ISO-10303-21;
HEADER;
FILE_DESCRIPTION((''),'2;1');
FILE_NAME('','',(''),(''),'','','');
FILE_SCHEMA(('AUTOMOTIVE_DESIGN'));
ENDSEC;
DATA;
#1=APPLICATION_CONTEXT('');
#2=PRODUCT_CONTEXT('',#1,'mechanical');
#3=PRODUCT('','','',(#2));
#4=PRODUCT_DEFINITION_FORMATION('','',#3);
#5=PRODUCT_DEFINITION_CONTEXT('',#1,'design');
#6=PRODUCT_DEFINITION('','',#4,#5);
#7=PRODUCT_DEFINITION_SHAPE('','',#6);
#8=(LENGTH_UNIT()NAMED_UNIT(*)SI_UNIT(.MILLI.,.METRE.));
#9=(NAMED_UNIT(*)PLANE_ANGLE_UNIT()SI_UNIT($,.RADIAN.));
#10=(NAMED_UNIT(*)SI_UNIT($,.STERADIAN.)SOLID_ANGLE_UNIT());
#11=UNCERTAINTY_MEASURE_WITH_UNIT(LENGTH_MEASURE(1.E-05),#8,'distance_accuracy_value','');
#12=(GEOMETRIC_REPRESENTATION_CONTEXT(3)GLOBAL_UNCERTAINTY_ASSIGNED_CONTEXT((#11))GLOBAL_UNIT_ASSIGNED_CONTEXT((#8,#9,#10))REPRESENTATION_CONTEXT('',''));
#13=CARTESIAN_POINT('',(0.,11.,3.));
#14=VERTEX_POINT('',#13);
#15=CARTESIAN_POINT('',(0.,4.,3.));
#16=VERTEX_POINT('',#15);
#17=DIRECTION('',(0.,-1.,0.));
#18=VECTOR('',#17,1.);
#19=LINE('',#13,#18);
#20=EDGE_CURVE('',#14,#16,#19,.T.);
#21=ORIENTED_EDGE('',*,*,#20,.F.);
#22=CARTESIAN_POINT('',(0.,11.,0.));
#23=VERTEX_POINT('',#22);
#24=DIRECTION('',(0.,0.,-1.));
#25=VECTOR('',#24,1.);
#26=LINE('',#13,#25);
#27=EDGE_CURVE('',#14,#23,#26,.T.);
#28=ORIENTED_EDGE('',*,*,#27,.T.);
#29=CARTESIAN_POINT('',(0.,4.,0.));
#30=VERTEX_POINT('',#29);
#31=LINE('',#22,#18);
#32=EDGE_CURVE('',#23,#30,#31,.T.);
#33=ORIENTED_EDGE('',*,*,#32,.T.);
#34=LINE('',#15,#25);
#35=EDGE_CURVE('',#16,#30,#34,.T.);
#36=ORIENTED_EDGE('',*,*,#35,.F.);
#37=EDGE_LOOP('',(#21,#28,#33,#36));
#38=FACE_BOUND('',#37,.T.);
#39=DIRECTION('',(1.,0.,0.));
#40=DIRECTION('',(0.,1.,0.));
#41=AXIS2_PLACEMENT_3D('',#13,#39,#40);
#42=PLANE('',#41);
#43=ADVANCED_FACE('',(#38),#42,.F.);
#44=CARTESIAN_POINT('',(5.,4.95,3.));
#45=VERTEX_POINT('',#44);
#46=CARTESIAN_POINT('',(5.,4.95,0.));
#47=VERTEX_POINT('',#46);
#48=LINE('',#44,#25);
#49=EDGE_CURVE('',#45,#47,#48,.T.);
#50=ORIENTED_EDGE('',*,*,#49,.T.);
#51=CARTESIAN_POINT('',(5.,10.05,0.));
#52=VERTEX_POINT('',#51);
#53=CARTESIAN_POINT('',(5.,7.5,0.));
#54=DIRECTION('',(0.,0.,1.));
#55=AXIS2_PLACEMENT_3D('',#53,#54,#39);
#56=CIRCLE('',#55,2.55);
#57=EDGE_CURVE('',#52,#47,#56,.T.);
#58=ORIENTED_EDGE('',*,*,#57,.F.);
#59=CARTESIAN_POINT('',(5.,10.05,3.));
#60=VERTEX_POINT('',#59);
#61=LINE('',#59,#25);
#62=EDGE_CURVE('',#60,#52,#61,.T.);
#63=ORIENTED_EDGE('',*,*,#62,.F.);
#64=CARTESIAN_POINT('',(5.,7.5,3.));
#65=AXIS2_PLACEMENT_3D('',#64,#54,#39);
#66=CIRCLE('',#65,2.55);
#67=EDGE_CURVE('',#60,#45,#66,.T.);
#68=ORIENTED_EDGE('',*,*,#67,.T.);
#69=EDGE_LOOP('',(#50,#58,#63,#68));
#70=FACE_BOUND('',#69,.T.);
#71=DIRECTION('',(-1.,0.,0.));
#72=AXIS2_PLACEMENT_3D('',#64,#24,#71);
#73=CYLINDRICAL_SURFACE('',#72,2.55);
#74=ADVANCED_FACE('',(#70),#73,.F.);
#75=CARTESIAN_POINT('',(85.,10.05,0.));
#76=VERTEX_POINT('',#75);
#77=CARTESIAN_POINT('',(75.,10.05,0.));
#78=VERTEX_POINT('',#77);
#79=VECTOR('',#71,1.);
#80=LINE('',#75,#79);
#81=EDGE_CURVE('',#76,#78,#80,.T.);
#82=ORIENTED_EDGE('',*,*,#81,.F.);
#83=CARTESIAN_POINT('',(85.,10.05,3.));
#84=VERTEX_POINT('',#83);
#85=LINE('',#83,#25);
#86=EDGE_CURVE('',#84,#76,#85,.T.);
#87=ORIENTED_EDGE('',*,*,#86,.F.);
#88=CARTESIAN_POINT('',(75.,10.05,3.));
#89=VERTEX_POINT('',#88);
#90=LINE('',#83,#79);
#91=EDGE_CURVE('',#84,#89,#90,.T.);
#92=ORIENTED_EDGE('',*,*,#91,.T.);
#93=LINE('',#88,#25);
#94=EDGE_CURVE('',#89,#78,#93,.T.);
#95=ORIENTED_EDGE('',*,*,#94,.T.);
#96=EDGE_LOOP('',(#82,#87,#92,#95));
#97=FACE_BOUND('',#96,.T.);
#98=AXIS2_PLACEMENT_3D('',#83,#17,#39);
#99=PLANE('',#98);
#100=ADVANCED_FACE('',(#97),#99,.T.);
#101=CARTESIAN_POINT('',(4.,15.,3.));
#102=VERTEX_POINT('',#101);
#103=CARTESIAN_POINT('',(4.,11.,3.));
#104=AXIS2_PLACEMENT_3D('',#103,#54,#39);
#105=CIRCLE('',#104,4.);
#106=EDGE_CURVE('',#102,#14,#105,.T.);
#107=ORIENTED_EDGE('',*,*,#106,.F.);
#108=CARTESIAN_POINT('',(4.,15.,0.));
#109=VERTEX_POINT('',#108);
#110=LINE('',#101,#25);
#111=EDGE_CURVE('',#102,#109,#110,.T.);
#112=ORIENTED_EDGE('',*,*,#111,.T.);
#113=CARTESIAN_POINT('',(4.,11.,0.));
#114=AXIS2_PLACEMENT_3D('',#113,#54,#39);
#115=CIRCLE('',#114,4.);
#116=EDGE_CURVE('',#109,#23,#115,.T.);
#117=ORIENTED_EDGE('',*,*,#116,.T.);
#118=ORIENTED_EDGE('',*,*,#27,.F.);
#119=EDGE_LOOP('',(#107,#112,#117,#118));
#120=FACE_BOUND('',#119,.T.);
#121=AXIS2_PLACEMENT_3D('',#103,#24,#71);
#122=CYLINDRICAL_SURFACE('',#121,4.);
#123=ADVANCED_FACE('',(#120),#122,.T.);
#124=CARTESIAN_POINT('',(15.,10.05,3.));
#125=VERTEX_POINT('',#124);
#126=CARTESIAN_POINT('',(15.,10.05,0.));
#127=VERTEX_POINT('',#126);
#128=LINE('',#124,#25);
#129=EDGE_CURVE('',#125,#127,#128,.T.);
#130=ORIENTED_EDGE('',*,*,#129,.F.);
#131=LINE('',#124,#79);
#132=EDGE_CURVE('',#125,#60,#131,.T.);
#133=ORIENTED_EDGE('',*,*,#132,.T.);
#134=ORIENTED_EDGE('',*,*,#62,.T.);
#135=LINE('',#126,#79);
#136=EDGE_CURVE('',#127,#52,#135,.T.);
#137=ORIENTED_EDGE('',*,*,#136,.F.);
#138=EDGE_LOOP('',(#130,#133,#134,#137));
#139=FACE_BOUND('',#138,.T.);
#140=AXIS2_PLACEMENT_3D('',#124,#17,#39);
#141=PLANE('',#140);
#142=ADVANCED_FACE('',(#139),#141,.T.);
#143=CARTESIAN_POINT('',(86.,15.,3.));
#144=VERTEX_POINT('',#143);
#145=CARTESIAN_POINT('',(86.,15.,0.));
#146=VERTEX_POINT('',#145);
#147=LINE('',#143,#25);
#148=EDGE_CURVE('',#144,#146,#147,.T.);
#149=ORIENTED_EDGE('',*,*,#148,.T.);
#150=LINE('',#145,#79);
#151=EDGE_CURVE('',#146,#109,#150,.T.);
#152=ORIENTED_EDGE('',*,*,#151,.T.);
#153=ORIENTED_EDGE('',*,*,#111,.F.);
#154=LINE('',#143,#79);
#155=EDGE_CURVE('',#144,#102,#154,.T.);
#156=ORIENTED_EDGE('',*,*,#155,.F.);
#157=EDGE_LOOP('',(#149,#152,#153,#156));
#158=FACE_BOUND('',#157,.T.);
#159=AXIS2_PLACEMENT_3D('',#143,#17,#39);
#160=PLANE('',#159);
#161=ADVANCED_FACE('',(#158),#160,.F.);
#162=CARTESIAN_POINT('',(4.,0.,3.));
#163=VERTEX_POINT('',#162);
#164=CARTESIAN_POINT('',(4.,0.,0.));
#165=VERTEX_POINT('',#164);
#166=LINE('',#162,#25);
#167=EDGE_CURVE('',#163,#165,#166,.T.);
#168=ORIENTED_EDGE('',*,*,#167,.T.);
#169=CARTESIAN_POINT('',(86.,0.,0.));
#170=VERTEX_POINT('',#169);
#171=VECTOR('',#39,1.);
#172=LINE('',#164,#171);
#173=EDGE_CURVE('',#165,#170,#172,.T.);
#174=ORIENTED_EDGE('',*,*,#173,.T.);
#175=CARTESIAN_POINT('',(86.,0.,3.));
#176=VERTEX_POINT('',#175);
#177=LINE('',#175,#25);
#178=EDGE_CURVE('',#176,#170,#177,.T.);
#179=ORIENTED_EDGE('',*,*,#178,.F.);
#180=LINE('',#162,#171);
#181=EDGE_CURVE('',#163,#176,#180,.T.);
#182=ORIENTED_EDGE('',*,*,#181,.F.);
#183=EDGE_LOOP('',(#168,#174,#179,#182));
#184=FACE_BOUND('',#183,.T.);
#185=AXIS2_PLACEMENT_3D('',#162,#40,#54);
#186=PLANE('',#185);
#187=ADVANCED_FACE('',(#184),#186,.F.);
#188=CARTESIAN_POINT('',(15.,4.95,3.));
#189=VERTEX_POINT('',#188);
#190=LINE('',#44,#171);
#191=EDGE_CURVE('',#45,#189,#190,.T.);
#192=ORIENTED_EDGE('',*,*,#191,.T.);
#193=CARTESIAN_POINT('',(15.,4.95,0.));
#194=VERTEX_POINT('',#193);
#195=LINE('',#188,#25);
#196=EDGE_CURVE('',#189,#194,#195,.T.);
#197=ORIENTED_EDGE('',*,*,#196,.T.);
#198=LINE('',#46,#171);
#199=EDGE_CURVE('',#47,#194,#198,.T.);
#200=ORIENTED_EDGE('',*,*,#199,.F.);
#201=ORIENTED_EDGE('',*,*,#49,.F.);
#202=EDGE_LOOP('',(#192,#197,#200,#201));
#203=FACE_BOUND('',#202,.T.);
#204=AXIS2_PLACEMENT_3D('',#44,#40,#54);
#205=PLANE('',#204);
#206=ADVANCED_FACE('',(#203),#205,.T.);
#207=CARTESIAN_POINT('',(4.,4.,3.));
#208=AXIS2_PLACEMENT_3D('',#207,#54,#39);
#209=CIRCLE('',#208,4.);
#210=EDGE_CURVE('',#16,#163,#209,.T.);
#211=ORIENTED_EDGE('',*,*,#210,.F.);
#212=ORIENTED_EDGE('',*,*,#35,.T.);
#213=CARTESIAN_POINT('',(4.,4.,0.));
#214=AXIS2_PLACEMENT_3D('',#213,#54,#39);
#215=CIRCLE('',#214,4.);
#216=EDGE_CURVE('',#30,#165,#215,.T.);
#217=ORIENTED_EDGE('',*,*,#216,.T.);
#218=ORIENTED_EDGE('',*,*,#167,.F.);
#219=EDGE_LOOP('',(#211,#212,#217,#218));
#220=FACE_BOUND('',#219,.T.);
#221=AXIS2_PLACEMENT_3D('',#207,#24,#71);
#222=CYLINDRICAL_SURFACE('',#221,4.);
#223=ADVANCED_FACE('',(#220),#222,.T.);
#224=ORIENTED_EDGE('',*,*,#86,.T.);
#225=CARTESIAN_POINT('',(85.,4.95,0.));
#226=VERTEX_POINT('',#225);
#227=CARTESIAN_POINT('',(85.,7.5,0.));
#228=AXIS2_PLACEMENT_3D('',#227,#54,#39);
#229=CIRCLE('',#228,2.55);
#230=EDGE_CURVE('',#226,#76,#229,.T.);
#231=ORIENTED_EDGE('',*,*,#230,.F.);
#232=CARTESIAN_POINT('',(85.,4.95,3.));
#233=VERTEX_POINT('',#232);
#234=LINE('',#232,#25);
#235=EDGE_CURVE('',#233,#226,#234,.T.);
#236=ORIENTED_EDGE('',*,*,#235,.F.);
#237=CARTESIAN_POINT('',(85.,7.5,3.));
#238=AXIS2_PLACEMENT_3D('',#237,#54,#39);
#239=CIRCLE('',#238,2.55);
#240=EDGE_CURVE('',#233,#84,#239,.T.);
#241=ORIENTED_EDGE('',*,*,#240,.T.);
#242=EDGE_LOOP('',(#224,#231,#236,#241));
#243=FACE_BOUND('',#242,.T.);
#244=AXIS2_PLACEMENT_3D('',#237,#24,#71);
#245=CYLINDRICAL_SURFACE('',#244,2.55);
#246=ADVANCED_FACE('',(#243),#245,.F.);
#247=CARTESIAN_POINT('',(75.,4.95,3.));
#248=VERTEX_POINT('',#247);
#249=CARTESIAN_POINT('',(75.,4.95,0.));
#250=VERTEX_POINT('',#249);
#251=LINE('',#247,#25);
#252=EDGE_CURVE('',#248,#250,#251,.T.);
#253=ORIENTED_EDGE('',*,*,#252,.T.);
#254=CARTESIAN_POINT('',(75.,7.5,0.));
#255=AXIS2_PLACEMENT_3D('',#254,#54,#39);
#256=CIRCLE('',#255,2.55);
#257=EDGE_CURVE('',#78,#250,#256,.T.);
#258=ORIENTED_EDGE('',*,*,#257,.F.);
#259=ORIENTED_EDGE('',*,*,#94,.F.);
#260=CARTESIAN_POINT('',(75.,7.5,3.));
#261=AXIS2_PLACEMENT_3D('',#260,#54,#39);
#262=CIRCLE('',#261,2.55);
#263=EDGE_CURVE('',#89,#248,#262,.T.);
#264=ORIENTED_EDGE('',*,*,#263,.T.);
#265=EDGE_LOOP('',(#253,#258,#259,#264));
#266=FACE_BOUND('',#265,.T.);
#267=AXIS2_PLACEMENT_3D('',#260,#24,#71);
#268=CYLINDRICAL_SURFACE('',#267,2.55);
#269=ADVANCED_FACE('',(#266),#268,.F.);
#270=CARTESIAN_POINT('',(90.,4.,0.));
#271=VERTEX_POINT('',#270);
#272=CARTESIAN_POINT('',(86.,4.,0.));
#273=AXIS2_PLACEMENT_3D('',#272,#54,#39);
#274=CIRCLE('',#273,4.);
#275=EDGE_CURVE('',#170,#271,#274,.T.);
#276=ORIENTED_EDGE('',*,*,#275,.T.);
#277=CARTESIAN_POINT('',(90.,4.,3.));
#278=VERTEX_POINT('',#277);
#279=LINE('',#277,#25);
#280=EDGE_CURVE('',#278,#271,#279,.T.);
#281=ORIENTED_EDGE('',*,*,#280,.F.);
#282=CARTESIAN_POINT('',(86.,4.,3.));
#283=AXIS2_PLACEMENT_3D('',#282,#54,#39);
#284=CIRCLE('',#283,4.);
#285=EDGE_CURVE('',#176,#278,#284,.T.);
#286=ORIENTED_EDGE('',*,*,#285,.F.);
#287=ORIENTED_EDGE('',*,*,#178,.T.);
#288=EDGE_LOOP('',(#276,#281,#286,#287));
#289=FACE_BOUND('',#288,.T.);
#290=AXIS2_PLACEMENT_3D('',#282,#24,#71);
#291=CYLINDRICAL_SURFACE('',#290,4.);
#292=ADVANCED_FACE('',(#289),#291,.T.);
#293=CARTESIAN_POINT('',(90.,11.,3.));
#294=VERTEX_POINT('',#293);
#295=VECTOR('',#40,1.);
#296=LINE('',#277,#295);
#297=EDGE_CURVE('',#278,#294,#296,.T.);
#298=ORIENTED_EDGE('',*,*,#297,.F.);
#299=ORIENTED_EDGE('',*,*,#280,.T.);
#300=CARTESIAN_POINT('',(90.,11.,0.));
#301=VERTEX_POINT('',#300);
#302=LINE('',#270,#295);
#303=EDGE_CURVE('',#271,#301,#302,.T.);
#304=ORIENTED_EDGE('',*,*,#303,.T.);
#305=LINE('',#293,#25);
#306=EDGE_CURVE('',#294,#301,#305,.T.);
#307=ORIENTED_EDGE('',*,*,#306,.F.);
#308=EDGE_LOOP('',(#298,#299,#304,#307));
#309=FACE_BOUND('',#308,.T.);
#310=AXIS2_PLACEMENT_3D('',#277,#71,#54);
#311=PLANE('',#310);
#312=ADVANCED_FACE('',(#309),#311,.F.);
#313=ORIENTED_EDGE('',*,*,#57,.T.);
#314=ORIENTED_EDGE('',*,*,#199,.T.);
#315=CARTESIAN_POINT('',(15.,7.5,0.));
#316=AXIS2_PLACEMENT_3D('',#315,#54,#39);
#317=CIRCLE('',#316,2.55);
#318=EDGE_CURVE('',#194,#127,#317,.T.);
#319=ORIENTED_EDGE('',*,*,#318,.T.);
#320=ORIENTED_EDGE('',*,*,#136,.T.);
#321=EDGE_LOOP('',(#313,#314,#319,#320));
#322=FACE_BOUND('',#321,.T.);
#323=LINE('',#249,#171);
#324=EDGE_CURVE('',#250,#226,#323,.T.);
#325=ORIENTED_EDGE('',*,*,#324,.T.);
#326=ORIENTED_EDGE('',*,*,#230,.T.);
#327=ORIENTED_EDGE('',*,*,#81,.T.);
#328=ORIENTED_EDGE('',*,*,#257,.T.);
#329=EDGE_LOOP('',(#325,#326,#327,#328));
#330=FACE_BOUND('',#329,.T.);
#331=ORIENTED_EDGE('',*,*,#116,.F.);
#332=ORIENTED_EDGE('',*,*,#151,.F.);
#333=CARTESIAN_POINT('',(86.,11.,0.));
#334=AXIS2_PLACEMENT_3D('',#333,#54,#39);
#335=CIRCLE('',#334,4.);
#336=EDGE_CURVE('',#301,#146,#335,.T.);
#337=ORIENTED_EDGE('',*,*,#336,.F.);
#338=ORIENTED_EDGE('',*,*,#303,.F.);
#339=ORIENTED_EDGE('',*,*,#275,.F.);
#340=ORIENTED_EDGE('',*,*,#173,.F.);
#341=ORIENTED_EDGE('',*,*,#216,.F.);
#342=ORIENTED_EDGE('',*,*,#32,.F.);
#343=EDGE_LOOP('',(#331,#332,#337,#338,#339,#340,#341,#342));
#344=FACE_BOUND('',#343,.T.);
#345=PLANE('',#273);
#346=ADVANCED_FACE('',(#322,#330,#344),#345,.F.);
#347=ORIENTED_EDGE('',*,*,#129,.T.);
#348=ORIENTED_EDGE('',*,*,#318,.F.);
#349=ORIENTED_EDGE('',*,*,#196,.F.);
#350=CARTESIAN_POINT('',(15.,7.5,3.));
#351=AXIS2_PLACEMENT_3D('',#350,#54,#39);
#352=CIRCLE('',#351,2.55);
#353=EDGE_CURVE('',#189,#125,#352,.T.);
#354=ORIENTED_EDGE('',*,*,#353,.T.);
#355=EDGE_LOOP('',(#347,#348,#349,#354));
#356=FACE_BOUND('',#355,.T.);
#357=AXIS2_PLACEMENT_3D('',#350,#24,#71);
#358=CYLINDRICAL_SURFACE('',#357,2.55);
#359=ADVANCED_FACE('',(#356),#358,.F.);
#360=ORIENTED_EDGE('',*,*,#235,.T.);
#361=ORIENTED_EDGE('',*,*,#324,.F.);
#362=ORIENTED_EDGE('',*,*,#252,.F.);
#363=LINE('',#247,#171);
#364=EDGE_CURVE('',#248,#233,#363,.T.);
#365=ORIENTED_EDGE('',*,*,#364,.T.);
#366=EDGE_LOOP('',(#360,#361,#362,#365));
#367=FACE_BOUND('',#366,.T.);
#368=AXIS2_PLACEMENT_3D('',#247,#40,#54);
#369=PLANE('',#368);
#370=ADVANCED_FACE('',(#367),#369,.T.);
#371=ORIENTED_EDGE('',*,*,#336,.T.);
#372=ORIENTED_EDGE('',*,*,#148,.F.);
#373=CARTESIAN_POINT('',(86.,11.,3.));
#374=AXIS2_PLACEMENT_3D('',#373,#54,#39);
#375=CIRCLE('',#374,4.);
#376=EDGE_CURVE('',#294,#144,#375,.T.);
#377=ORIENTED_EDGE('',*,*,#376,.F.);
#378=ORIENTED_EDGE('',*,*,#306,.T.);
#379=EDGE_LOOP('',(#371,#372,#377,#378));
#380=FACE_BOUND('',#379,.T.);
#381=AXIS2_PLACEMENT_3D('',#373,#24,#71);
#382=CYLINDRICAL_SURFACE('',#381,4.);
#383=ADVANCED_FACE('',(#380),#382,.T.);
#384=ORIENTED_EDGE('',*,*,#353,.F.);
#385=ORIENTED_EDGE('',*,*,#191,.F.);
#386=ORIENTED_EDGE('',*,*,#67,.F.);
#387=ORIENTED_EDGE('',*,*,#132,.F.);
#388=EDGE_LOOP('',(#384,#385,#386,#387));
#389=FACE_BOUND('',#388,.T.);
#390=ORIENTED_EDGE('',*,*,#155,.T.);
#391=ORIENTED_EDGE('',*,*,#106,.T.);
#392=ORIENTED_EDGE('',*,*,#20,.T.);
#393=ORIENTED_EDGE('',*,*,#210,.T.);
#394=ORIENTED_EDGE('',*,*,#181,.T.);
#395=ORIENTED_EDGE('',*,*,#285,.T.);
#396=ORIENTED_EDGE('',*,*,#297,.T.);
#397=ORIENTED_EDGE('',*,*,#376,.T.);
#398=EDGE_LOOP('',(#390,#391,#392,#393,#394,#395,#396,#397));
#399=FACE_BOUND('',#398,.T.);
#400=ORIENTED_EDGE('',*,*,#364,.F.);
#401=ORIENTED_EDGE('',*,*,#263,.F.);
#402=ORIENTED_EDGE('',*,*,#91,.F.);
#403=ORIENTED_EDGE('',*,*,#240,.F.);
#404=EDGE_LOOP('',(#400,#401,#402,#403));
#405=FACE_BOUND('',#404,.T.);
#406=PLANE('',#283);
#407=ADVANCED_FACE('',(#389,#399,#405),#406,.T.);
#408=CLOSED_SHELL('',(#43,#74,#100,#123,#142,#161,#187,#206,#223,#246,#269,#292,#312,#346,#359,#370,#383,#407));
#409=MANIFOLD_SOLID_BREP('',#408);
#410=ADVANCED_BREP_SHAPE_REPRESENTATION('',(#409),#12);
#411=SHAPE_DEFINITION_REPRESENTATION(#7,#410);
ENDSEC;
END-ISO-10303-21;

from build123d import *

# Parameters (mm, degrees)
AUFSATZ_LINEAR_AUSTRAGEN1_DEPTH = 3


with BuildPart() as part:
    # Model → Aufsatz-Linear austragen1 (new body)
    with BuildSketch(Plane.XY):
        with BuildLine():
            Line((4, 0), (86, 0))
            ThreePointArc((86, 0), (88.828427125, 1.171572875), (90, 4))
            Line((90, 4), (90, 11))
            ThreePointArc((90, 11), (88.828427125, 13.828427125), (86, 15))
            Line((86, 15), (4, 15))
            ThreePointArc((4, 15), (1.171572875, 13.828427125), (0, 11))
            Line((0, 11), (0, 4))
            ThreePointArc((0, 4), (1.171572875, 1.171572875), (4, 0))
        make_face()
        with BuildLine():
            Line((5, 4.95), (15, 4.95))
            ThreePointArc((15, 4.95), (17.55, 7.5), (15, 10.05))
            Line((15, 10.05), (5, 10.05))
            ThreePointArc((5, 10.05), (2.45, 7.5), (5, 4.95))
        make_face(mode=Mode.SUBTRACT)
        with BuildLine():
            Line((75, 4.95), (85, 4.95))
            ThreePointArc((85, 4.95), (87.55, 7.5), (85, 10.05))
            Line((85, 10.05), (75, 10.05))
            ThreePointArc((75, 10.05), (72.45, 7.5), (75, 4.95))
        make_face(mode=Mode.SUBTRACT)
    extrude(amount=AUFSATZ_LINEAR_AUSTRAGEN1_DEPTH)


solid = part.part
